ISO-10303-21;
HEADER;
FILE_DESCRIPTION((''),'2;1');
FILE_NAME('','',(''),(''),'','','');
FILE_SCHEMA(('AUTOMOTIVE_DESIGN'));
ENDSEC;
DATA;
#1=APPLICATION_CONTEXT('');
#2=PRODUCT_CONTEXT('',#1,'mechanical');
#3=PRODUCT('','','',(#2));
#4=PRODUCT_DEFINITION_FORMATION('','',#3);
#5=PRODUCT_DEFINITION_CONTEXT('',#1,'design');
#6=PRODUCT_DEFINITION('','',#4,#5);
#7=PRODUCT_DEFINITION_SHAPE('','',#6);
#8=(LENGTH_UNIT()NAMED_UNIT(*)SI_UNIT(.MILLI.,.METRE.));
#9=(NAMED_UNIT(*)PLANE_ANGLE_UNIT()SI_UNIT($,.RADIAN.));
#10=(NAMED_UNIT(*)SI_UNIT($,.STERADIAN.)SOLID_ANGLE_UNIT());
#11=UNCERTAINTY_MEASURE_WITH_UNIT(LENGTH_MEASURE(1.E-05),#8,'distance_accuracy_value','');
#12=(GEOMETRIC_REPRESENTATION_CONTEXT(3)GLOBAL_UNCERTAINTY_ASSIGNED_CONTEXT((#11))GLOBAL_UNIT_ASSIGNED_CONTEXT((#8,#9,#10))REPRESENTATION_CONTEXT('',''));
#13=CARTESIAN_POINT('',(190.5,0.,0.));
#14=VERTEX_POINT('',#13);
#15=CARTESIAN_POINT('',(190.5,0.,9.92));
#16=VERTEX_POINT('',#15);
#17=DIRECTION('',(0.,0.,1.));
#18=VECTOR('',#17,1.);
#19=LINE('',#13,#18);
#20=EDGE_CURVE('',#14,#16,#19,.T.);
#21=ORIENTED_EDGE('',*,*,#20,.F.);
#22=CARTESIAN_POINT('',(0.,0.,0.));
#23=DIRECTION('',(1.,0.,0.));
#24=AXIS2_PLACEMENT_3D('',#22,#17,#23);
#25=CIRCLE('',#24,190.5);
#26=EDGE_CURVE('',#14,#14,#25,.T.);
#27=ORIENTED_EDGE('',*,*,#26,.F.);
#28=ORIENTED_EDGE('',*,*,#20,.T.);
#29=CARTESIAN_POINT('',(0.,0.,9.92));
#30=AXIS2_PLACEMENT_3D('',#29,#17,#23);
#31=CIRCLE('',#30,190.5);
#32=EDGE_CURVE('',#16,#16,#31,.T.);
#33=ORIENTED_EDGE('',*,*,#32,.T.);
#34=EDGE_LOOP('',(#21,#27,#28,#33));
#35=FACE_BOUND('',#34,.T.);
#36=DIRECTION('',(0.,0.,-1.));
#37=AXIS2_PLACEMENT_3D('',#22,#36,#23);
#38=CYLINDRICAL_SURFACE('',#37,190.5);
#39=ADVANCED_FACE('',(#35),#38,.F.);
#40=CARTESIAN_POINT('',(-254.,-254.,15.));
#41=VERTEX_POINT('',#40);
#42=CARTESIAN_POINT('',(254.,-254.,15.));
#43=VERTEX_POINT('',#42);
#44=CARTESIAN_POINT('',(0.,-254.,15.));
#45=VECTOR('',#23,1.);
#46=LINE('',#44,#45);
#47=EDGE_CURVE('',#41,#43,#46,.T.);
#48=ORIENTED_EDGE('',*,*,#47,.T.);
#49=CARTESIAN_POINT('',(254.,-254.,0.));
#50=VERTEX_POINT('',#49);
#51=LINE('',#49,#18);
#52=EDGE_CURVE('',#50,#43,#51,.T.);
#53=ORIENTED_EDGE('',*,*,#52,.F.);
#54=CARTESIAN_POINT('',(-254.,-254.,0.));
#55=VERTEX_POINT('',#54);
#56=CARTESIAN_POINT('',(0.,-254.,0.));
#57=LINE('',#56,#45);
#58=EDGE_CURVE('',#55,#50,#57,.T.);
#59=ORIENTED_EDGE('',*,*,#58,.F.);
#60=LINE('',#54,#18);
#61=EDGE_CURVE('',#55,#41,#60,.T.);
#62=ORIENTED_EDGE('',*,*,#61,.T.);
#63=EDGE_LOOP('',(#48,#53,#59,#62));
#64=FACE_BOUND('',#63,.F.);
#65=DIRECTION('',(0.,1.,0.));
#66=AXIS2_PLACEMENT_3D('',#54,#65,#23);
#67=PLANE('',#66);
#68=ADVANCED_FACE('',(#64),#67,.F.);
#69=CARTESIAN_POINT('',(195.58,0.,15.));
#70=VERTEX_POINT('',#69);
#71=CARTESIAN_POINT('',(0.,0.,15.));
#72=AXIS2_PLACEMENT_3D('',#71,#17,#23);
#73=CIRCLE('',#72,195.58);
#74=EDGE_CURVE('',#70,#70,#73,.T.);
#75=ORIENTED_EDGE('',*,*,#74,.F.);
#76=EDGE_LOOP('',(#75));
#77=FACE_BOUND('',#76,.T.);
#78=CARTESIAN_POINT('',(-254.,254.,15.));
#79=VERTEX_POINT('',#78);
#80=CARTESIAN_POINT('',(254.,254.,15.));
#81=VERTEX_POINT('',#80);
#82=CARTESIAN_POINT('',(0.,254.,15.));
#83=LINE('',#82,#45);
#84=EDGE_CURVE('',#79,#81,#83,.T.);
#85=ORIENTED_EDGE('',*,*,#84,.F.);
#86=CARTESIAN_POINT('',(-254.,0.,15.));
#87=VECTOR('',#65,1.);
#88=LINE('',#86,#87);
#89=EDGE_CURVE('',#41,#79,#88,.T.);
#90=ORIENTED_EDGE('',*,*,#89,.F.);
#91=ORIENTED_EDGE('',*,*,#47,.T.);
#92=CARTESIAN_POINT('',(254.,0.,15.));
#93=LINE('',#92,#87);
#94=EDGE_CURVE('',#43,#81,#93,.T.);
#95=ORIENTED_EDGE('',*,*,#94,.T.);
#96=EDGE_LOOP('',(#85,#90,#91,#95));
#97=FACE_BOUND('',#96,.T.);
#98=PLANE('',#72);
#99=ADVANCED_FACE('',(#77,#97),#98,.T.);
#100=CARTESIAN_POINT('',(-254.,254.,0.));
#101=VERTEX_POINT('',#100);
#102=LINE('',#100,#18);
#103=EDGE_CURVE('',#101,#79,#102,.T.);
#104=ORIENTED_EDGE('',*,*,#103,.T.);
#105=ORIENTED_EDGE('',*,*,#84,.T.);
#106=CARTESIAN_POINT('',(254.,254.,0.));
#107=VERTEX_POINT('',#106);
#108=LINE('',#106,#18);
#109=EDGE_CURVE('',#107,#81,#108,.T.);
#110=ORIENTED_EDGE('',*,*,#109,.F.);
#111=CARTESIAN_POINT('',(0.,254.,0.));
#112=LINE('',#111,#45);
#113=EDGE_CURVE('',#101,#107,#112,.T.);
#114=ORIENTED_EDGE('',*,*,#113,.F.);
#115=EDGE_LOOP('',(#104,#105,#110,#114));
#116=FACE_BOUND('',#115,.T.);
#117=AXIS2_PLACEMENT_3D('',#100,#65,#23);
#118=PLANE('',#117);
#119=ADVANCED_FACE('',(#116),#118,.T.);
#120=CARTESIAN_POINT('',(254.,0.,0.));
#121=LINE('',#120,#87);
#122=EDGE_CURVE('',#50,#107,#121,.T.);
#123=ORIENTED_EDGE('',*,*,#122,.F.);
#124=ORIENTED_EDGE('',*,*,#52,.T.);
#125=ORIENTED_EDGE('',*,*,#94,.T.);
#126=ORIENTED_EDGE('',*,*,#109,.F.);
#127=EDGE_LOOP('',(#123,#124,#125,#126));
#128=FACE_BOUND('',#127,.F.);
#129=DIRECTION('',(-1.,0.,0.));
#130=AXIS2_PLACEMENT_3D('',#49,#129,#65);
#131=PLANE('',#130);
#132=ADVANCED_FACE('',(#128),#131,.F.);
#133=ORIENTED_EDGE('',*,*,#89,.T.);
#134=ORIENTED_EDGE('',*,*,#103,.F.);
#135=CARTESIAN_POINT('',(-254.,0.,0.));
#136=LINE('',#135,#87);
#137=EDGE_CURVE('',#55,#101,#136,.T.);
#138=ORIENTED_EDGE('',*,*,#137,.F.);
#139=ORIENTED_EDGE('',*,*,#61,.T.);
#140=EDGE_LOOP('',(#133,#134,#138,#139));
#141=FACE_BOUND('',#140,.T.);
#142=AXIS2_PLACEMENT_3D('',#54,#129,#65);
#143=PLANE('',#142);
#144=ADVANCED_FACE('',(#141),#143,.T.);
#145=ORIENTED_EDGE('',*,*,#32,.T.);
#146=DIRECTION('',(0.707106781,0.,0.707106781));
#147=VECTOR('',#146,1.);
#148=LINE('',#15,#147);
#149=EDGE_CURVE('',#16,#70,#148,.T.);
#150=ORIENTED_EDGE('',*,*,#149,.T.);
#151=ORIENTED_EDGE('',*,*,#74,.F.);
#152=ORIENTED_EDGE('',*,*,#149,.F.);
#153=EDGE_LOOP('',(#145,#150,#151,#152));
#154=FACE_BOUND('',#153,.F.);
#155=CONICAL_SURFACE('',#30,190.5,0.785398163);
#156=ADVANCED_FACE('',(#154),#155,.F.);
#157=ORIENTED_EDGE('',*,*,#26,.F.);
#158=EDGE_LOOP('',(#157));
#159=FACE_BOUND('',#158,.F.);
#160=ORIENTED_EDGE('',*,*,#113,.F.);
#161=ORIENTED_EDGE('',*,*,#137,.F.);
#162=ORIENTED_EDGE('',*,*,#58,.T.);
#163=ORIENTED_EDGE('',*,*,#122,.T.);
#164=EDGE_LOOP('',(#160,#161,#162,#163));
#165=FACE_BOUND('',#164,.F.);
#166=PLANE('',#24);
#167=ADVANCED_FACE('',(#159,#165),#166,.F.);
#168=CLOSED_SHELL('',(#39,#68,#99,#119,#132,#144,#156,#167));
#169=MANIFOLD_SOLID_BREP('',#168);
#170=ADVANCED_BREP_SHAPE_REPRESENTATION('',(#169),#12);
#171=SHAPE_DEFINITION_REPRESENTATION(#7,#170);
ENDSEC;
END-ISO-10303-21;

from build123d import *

# Parameters (mm, degrees)
F0_W     = 508
F0_H     = 508
F0_R     = 190.5
F1_DEPTH = 15
F2_SIZE  = 5.08


with BuildPart() as f1:
    # F0 (on Top) → F1 (new body)
    with BuildSketch(Plane.XY):
        Rectangle(F0_W, F0_H)
        Circle(F0_R, mode=Mode.SUBTRACT)
    extrude(amount=F1_DEPTH)

    # F2
    f2_edges = [f1.edges().sort_by_distance(p)[0] for p in [
        (-190.5, 0, 15),
    ]]
    chamfer(f2_edges, length=F2_SIZE)


solid = f1.part
